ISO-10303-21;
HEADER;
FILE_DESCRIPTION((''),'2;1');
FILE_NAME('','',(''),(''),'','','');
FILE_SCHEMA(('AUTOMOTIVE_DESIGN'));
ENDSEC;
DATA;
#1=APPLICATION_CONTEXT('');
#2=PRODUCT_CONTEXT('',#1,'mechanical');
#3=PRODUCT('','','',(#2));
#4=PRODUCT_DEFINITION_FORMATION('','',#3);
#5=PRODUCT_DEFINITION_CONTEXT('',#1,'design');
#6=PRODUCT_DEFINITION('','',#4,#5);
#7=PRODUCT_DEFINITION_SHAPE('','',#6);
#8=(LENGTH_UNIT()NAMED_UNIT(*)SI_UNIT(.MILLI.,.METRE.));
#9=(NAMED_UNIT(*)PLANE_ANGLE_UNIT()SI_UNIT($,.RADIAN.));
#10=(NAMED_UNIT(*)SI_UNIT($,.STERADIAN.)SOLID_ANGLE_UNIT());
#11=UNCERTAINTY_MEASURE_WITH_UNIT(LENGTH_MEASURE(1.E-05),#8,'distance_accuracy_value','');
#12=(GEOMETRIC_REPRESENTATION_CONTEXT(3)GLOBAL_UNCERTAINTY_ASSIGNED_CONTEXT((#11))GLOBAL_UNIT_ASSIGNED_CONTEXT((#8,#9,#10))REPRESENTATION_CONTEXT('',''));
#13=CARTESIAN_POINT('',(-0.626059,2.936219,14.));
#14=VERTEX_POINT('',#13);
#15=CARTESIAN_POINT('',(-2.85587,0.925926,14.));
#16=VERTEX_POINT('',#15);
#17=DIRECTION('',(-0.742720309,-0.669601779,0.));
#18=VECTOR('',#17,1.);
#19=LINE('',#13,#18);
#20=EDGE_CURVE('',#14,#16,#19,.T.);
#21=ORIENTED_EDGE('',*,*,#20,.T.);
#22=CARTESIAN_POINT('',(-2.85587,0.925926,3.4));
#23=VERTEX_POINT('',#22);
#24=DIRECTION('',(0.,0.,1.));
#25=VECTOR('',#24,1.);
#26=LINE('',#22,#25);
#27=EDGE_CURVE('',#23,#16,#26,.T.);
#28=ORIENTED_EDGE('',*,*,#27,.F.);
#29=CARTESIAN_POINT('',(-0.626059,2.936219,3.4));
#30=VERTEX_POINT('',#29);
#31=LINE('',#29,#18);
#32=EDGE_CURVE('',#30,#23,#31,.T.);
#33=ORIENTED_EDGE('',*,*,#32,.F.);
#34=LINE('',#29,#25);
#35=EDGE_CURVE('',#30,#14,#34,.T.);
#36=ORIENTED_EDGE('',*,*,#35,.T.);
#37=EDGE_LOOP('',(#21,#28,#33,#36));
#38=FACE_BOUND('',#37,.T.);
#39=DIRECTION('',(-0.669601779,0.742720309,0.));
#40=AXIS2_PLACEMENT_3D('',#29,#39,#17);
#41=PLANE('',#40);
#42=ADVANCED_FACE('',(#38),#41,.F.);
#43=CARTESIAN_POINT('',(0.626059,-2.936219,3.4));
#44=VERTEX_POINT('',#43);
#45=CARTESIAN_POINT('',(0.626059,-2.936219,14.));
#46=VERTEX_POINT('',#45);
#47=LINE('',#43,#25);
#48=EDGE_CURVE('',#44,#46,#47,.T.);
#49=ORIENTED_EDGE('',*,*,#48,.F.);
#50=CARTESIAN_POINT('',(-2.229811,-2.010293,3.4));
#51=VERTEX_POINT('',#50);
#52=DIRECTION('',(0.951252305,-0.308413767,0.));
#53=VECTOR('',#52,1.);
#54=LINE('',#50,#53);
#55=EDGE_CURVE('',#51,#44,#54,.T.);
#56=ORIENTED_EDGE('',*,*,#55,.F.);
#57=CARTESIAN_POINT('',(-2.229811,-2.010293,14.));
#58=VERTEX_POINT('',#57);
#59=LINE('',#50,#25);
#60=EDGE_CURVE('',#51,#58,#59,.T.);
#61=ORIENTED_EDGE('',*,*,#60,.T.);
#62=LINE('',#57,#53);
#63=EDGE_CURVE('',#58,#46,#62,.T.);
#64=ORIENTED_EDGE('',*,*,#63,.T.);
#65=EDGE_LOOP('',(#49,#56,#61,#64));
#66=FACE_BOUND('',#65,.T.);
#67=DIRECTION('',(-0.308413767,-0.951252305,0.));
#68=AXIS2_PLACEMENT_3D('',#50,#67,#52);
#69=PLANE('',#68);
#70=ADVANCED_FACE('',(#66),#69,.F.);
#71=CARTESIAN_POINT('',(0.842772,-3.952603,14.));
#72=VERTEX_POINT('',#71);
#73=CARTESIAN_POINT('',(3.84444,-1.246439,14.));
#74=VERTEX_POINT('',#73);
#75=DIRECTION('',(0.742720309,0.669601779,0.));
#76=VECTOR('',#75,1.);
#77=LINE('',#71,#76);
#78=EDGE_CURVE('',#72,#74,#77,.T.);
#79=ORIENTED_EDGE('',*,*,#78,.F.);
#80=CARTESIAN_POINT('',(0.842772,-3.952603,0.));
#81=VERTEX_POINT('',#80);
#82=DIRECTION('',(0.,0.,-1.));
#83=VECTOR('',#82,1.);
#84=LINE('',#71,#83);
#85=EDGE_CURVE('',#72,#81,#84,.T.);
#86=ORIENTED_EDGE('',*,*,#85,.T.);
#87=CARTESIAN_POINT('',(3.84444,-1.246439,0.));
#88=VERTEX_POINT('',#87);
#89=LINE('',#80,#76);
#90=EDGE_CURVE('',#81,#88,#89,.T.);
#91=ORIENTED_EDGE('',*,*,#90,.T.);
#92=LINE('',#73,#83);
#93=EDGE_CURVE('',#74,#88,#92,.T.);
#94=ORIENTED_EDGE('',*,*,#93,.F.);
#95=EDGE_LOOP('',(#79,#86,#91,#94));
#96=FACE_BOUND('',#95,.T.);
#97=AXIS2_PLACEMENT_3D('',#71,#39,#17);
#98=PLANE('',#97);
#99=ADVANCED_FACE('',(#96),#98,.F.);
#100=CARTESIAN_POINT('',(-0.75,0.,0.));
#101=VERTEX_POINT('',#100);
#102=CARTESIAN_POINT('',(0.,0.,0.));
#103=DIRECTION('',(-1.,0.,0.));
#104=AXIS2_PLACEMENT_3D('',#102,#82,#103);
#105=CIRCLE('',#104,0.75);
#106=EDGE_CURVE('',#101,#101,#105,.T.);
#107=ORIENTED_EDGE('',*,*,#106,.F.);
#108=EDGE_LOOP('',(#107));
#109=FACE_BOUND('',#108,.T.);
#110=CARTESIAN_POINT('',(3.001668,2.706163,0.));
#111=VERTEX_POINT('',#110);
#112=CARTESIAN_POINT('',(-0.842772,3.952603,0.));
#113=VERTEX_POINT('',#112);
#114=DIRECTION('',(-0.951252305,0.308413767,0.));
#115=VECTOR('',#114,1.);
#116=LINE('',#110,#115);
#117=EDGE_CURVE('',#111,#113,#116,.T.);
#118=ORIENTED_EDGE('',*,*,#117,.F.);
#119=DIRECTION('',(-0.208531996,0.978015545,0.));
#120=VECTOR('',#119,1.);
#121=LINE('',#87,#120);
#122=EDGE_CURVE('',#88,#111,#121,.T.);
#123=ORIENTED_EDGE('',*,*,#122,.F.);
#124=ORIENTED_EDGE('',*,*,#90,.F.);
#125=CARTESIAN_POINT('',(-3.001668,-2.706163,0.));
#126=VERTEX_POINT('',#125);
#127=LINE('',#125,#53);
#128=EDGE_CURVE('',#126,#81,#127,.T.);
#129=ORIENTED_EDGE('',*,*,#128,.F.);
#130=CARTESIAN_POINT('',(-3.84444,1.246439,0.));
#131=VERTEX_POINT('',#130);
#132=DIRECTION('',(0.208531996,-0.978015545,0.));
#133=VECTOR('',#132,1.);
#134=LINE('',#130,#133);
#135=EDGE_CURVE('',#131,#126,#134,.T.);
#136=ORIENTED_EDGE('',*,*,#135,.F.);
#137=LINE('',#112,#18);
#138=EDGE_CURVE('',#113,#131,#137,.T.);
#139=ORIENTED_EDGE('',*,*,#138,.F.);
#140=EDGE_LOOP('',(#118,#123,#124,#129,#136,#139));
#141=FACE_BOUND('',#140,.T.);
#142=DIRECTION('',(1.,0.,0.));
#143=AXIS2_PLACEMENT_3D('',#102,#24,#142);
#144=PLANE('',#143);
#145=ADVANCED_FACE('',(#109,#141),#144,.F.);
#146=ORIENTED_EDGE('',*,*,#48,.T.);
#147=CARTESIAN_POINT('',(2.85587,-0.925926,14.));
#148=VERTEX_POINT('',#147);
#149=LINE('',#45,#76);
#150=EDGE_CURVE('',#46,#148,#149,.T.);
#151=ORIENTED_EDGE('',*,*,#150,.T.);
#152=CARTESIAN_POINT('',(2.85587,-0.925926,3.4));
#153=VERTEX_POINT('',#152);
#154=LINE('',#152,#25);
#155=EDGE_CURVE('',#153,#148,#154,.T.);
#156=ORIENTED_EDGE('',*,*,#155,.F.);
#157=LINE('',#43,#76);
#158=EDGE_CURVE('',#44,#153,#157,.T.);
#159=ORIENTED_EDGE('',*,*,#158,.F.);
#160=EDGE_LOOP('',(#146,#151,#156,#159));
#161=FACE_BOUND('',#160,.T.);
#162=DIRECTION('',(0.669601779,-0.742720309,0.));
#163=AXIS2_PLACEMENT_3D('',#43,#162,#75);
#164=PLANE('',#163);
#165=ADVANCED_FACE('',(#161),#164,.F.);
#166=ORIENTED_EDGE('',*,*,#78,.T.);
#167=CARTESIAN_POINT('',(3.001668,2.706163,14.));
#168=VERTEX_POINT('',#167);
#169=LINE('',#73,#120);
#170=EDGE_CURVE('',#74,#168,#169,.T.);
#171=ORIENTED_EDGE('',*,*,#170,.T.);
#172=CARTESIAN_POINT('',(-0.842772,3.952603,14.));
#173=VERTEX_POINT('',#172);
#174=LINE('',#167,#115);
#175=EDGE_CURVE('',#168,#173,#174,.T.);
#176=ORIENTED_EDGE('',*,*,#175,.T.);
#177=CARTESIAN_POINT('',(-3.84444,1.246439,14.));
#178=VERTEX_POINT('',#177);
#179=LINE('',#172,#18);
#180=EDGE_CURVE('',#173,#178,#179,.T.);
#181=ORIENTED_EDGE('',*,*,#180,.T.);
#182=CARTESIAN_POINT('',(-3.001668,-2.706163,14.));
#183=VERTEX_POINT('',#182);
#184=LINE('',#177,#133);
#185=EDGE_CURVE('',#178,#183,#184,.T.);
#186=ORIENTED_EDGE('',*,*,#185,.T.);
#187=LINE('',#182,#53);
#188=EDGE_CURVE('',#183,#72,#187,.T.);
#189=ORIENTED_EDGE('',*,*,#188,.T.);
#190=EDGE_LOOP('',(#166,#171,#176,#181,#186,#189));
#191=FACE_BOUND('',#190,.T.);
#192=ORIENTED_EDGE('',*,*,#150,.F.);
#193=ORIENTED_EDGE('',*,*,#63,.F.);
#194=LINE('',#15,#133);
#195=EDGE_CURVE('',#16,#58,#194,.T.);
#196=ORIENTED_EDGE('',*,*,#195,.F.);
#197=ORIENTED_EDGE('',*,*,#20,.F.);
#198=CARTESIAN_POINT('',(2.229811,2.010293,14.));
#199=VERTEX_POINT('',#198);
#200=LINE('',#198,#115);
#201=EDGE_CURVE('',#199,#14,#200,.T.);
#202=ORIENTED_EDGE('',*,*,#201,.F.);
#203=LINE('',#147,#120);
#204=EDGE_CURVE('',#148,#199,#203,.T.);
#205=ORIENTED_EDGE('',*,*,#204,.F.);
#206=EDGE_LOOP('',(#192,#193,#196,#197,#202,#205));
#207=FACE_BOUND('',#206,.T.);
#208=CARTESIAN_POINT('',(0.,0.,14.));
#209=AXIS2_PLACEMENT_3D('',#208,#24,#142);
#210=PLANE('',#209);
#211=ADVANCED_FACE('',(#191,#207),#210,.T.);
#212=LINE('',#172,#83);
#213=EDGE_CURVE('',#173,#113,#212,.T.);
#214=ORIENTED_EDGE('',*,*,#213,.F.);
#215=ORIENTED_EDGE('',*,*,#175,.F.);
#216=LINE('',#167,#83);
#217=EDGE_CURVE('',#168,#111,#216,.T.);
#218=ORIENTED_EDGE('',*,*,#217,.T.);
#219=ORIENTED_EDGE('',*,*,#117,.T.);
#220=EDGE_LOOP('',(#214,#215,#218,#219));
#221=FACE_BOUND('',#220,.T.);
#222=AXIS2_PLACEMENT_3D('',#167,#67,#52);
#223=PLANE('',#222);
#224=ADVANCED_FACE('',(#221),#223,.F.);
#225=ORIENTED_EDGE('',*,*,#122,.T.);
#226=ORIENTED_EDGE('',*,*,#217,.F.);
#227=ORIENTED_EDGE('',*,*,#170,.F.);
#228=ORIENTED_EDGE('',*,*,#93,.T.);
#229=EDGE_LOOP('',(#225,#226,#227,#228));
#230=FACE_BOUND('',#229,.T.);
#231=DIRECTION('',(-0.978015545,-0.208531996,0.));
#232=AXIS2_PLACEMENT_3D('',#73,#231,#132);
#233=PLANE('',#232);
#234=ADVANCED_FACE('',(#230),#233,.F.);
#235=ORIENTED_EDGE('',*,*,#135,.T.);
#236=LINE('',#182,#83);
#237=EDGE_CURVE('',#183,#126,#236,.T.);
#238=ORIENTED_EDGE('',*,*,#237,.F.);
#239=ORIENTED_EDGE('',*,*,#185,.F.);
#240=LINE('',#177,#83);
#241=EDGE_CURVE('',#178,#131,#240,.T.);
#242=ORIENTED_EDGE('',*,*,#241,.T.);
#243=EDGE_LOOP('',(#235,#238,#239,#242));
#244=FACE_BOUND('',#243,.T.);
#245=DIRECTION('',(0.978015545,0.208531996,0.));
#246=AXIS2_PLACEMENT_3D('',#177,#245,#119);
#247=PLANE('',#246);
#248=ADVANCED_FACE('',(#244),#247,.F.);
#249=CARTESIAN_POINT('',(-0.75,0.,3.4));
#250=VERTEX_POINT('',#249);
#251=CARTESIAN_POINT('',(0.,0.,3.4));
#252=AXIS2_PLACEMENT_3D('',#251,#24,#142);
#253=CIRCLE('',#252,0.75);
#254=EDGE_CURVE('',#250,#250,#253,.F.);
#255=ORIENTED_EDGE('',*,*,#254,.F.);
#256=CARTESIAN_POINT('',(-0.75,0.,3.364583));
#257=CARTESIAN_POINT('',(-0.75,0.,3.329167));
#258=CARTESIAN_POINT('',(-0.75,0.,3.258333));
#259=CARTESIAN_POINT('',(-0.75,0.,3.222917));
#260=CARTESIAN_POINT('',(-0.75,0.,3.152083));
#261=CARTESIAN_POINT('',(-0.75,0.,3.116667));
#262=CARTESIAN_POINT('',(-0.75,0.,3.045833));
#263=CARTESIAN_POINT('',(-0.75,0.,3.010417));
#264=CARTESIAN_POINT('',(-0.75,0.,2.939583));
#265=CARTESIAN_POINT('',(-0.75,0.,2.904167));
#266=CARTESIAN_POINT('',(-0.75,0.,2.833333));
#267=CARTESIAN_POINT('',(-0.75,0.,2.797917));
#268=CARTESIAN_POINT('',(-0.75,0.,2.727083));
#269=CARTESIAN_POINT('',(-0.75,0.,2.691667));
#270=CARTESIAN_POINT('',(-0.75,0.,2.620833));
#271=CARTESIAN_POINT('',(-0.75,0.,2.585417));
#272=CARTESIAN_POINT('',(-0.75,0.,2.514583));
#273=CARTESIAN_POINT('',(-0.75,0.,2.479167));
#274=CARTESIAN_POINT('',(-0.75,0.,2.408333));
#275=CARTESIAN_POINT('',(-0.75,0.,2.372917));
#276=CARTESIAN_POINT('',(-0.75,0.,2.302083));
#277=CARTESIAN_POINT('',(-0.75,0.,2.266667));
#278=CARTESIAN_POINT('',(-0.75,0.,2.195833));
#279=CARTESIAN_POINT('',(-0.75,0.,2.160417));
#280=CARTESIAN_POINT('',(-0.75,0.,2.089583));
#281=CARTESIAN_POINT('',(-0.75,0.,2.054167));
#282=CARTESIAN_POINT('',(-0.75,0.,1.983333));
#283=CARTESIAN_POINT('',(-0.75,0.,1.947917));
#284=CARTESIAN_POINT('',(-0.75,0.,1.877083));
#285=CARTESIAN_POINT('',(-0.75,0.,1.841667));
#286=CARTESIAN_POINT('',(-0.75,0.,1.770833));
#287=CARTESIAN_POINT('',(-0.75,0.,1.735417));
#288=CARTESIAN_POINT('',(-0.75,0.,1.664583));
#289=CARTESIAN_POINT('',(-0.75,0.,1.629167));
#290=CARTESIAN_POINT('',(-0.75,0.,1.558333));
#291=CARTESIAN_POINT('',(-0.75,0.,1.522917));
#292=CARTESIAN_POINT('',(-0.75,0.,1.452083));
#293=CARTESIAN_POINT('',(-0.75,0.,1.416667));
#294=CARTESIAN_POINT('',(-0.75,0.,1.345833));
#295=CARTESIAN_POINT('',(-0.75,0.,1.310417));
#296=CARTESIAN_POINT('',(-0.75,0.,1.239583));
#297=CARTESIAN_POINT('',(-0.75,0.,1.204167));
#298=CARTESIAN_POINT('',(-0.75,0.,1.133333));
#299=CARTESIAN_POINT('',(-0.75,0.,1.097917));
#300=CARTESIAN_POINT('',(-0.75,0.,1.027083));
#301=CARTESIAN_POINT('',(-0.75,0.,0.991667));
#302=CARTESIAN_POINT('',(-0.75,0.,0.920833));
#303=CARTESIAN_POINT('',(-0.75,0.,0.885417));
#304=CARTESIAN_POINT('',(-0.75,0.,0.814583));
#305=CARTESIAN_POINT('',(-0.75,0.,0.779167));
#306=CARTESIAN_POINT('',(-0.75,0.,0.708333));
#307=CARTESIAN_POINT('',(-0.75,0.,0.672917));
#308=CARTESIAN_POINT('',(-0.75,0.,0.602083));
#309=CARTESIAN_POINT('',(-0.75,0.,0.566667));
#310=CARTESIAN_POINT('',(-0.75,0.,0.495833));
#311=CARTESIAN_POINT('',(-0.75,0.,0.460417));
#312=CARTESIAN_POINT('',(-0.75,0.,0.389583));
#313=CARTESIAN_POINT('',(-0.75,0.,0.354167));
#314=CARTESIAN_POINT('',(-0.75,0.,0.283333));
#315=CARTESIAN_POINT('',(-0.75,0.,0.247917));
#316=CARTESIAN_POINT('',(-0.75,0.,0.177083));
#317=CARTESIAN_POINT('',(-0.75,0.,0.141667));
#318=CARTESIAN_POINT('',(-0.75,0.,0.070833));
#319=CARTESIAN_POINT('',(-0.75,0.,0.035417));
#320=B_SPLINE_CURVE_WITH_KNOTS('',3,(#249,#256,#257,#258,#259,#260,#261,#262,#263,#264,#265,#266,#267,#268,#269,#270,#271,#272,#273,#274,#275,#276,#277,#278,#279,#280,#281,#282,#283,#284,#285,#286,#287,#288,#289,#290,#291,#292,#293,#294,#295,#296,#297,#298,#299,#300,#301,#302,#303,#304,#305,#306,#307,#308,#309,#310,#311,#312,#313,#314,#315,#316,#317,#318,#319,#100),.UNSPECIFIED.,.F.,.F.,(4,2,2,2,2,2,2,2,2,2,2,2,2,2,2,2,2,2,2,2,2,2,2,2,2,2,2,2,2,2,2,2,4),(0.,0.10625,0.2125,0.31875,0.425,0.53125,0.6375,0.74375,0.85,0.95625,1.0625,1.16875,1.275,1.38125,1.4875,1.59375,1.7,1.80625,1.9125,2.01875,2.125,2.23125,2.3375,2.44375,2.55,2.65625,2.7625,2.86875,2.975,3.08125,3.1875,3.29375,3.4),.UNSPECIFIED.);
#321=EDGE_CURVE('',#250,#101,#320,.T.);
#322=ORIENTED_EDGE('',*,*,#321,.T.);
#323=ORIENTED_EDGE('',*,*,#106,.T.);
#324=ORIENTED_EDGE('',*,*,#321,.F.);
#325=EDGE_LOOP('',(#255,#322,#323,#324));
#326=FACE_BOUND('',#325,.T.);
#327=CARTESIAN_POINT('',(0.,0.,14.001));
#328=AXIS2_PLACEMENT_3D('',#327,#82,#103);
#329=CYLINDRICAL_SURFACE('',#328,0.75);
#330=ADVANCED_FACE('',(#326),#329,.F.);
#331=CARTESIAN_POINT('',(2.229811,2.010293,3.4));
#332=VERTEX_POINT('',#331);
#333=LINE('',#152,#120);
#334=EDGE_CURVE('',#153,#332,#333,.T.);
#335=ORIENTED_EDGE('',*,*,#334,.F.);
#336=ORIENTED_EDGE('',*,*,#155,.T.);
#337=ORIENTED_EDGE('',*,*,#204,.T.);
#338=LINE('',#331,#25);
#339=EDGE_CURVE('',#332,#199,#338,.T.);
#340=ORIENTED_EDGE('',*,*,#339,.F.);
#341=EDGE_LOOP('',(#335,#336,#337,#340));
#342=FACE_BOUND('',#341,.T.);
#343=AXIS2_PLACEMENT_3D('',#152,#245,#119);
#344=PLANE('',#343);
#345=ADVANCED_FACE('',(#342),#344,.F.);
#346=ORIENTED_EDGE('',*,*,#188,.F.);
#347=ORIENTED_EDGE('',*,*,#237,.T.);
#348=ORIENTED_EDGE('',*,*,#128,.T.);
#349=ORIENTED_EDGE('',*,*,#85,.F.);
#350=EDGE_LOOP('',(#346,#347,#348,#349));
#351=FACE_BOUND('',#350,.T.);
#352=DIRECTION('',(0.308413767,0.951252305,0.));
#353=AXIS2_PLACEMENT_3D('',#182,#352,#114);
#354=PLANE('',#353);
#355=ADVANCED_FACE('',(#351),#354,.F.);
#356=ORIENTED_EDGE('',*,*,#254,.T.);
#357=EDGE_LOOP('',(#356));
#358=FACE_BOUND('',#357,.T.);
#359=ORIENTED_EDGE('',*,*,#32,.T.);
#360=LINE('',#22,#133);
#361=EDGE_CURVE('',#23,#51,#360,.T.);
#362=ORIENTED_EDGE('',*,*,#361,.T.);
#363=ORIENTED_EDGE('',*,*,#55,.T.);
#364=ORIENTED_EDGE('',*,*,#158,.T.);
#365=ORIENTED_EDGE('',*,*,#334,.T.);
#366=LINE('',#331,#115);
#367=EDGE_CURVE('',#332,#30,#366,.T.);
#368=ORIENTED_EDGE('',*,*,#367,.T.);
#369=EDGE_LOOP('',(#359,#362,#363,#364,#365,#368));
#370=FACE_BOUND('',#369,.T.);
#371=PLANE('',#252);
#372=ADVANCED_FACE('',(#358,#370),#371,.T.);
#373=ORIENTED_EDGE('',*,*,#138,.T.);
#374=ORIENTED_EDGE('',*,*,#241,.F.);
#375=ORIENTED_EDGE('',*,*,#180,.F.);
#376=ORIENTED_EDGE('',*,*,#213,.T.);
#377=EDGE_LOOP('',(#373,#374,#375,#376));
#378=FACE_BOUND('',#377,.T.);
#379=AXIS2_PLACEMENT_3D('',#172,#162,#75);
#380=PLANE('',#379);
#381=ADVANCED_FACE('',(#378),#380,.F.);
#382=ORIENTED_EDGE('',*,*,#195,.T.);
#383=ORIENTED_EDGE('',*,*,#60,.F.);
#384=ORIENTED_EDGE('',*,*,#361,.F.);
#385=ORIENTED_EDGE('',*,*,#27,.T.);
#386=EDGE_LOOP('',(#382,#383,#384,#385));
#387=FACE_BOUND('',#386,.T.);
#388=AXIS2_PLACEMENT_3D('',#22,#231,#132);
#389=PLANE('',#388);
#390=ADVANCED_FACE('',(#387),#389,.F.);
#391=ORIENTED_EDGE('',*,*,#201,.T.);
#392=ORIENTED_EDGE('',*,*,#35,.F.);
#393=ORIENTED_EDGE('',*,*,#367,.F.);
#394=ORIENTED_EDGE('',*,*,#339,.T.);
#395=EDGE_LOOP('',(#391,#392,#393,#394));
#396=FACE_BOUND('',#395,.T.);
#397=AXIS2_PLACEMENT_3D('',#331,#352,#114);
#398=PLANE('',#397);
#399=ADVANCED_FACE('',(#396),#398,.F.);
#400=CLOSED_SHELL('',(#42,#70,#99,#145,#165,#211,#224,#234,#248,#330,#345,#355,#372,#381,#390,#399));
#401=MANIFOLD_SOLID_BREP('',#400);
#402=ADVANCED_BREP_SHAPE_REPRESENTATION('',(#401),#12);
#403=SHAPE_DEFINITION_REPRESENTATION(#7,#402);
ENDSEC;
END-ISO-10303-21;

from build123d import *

# Parameters (mm, degrees)
RESSALTO_EXTRUS_O1_DEPTH = 14
CORTE_EXTRUS_O1_DEPTH    = 10.6
CORTE_EXTRUS_O2_REACH    = 17.047
ESBO_O3_R                = 0.75


with BuildPart() as part:
    # Esboço1 → Ressalto-extrusão1 (new body)
    with BuildSketch(Plane.XY):
        Polygon((-0.842772028, 3.952602768), (-3.844440422, 1.246439398), (-3.001668394, -2.70616337), (0.842772028, -3.952602768), (3.844440422, -1.246439398), (3.001668394, 2.70616337), align=None)
    extrude(amount=RESSALTO_EXTRUS_O1_DEPTH)

    # Esboço2 → Corte-extrusão1 (cut)
    with BuildSketch(Plane.XY.offset(14)):
        Polygon((2.229810807, 2.010292789), (-0.626059221, 2.936219199), (-2.855870028, 0.92592641), (-2.229810807, -2.010292789), (0.626059221, -2.936219199), (2.855870028, -0.92592641), align=None)
    extrude(amount=-CORTE_EXTRUS_O1_DEPTH, mode=Mode.SUBTRACT)

    # Esboço3 → Corte-extrusão2 (cut, up to next)
    with BuildSketch(Plane(origin=(0, 0, 0), x_dir=(-1, 0, 0), z_dir=(0, 0, -1)), mode=Mode.PRIVATE) as corte_extrus_o2_sk1:
        Circle(ESBO_O3_R)
    corte_extrus_o2_tool1 = extrude(corte_extrus_o2_sk1.sketch, amount=-CORTE_EXTRUS_O2_REACH, mode=Mode.PRIVATE) & part.part
    add(corte_extrus_o2_tool1.solids().sort_by_distance((0, 0, 0))[0], mode=Mode.SUBTRACT)


solid = part.part
